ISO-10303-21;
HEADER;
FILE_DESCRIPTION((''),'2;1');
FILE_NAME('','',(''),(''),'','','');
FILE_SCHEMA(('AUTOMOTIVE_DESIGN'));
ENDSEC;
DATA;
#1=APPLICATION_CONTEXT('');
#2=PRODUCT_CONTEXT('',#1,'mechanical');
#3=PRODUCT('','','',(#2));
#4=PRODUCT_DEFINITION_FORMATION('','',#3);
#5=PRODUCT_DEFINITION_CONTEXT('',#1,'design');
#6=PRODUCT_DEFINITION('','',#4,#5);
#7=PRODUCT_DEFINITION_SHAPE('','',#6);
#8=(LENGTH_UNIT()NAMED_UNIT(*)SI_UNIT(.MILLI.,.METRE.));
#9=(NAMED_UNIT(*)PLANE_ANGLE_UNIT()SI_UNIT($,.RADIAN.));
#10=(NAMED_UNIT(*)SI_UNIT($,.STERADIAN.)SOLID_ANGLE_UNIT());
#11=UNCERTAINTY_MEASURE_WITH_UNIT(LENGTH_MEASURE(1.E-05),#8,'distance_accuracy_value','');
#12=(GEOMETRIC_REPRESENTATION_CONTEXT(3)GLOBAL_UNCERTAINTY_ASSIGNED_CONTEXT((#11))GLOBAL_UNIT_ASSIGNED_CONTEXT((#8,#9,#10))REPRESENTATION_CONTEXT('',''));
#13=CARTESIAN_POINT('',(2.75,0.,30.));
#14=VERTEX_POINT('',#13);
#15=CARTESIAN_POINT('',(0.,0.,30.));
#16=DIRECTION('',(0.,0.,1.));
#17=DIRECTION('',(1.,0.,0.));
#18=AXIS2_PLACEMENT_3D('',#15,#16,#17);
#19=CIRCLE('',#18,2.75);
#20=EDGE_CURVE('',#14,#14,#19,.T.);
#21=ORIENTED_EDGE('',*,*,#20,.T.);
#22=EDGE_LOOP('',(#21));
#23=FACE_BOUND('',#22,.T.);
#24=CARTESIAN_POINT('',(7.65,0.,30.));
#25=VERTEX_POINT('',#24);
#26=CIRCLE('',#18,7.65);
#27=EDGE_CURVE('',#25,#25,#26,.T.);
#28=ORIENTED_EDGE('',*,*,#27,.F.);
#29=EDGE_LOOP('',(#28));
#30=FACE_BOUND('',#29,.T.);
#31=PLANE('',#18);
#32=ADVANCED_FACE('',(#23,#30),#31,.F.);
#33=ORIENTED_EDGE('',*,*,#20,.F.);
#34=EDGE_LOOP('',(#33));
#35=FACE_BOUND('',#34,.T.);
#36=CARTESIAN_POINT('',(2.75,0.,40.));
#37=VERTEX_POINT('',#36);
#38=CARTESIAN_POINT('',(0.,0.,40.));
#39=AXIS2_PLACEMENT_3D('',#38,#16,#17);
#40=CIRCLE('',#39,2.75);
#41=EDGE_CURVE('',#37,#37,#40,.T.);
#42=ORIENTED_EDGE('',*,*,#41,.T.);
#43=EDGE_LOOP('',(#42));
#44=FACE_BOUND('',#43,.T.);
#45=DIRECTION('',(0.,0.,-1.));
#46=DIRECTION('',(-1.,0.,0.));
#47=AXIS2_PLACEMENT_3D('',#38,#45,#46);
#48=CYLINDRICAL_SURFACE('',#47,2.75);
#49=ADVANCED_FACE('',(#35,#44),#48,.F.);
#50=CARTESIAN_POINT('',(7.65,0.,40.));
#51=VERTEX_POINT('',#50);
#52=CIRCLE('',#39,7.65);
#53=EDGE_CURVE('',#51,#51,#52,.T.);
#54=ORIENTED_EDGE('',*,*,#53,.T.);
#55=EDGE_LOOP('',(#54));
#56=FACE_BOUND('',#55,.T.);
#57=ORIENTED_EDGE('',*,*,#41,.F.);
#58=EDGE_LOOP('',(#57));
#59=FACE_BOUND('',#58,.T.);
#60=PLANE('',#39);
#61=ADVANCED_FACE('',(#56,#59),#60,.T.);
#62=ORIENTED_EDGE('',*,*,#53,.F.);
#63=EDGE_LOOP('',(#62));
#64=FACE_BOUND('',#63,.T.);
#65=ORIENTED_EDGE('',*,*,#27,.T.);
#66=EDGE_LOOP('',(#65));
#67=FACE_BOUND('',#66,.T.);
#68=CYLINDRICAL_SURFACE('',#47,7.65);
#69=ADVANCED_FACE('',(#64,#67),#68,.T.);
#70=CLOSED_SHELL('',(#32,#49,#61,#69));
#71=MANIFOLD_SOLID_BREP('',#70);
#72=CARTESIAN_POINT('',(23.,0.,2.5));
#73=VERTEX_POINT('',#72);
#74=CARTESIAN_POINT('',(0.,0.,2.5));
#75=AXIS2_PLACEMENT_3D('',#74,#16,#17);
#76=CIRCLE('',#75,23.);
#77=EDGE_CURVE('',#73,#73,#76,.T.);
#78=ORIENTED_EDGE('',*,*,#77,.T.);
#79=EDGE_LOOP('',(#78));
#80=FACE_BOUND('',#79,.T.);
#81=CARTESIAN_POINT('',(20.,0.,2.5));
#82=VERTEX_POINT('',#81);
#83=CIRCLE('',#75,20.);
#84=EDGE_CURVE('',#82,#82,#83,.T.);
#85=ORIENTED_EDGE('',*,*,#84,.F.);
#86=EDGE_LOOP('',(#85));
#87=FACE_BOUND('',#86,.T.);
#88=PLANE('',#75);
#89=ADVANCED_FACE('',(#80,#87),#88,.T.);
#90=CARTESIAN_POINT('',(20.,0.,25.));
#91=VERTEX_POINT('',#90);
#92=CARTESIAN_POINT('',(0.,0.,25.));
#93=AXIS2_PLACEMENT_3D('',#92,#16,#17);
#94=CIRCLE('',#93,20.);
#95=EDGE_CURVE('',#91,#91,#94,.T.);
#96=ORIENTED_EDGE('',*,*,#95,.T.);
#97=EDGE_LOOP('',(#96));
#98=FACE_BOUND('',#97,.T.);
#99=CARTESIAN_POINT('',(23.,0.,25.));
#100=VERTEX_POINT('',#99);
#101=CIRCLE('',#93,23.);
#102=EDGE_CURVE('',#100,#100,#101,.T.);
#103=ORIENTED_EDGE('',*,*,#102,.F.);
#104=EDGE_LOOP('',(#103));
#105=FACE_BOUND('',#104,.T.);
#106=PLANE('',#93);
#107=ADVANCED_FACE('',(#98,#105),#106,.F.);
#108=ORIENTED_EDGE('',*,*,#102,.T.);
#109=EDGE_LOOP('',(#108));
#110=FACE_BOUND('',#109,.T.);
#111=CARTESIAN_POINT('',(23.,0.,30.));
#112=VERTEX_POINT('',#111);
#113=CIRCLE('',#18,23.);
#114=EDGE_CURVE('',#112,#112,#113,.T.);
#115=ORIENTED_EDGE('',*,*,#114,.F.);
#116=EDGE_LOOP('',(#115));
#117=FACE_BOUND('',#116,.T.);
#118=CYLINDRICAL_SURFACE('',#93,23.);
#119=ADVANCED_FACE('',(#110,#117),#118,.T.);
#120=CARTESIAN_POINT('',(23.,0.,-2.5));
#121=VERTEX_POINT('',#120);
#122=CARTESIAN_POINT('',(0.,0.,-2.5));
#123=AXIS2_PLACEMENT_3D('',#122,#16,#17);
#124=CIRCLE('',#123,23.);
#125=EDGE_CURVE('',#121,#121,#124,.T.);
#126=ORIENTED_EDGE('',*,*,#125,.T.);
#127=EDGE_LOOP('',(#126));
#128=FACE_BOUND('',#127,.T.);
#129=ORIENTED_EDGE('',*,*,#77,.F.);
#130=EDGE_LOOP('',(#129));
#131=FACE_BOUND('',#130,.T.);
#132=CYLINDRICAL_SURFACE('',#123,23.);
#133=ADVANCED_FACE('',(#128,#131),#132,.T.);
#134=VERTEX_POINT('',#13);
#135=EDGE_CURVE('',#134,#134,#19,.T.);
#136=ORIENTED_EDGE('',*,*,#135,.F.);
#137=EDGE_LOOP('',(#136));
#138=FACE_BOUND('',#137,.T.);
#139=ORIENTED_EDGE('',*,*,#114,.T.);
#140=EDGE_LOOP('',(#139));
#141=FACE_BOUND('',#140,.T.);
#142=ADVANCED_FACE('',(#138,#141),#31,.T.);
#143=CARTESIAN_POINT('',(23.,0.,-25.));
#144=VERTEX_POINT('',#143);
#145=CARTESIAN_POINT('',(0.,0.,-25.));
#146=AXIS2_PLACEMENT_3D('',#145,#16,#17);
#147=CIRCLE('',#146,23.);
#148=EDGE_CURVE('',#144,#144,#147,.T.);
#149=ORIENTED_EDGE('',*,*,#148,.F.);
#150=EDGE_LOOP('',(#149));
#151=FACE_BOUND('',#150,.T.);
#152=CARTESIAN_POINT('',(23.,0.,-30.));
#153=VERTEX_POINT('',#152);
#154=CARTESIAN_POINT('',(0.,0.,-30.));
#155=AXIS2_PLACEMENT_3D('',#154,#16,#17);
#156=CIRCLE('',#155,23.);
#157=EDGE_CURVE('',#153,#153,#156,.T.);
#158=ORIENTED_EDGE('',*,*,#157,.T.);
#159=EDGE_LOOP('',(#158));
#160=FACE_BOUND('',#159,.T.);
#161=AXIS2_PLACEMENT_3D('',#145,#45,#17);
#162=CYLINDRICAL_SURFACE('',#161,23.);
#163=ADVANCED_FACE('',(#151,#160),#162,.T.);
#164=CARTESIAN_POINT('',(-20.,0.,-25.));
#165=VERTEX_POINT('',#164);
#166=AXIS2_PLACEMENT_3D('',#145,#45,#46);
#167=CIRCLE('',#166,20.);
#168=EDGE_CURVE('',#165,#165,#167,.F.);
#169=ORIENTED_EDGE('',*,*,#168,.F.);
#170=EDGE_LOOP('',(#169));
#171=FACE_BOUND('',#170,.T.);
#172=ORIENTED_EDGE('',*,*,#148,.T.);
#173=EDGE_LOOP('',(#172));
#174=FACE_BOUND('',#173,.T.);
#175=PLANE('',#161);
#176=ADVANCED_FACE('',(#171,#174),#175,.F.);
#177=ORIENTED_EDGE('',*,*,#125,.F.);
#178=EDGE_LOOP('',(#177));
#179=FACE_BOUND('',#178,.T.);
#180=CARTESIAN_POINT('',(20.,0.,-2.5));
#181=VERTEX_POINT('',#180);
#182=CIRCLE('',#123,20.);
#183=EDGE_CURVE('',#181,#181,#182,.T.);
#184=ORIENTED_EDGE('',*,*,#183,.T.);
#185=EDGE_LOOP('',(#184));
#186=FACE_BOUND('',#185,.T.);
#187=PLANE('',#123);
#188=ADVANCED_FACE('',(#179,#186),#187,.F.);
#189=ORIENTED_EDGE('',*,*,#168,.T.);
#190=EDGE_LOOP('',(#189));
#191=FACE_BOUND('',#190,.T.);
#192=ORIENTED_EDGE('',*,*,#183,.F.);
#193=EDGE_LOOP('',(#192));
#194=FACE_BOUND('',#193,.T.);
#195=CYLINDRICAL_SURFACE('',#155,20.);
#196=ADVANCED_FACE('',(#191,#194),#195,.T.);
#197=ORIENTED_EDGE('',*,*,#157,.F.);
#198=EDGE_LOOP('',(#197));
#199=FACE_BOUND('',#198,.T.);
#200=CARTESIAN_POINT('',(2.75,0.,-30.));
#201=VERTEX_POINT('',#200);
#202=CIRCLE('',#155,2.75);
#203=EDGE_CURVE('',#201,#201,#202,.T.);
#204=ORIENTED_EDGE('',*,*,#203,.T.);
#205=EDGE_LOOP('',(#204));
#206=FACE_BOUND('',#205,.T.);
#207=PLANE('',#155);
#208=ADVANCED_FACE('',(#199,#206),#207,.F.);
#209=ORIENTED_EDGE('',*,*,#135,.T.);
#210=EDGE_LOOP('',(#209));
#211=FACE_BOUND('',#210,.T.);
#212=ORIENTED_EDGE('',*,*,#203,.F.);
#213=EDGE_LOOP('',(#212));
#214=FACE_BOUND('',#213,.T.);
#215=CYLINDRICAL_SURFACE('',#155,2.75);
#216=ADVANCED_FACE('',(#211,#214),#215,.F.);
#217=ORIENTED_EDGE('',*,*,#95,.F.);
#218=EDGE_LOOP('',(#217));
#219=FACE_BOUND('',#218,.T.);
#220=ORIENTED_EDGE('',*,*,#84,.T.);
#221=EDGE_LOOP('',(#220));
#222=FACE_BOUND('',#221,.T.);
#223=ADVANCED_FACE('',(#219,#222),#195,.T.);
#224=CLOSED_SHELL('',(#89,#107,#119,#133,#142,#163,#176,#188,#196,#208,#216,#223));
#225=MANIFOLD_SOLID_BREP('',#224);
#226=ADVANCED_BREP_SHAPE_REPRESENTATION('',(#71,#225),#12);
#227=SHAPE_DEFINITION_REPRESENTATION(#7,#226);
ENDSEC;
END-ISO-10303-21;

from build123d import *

# Parameters (mm, degrees)
BOSS_EXTRUDE1_DEPTH      = 2.5
BOSS_EXTRUDE1_DEPTH_BACK = 2.5
SKETCH1_R                = 23
BOSS_EXTRUDE2_DEPTH      = 30
BOSS_EXTRUDE2_DEPTH_BACK = 30
SKETCH3_R                = 20
SKETCH4_R                = 23
SKETCH4_R_2              = 20
BOSS_EXTRUDE3_DEPTH      = 5
SKETCH5_R                = 2.75
CUT_EXTRUDE1_DEPTH       = 69.249542123
SKETCH6_R                = 7.65
SKETCH6_R_2              = 2.75
BOSS_EXTRUDE4_DEPTH      = 10


with BuildPart() as part:
    # Sketch1 → Boss-Extrude1 (new, two sides: drawn at the far end of the back side and taken through both)
    with BuildSketch(Plane.XY.offset(-BOSS_EXTRUDE1_DEPTH_BACK)):
        Circle(SKETCH1_R)
    extrude(amount=BOSS_EXTRUDE1_DEPTH + BOSS_EXTRUDE1_DEPTH_BACK)

    # Sketch3 → Boss-Extrude2 (add, two sides: drawn at the far end of the back side and taken through both)
    with BuildSketch(Plane.XY.offset(-BOSS_EXTRUDE2_DEPTH_BACK)):
        Circle(SKETCH3_R)
    extrude(amount=BOSS_EXTRUDE2_DEPTH + BOSS_EXTRUDE2_DEPTH_BACK)

    # Sketch4 → Boss-Extrude3 (add)
    with BuildSketch(Plane.XY.offset(30)):
        Circle(SKETCH4_R)
        Circle(SKETCH4_R_2, mode=Mode.SUBTRACT)
    boss_extrude3 = extrude(amount=-BOSS_EXTRUDE3_DEPTH)

    # Mirror5: Boss-Extrude3 across plane
    add(boss_extrude3.mirror(Plane.XY))

    # Sketch5 → Cut-Extrude1 (cut, through all)
    with BuildSketch(Plane.XY.offset(30)):
        Circle(SKETCH5_R)
    extrude(amount=-CUT_EXTRUDE1_DEPTH, mode=Mode.SUBTRACT)


with BuildPart() as body_2:
    # Sketch6 → Boss-Extrude4 (new body)
    with BuildSketch(Plane.XY.offset(30)):
        Circle(SKETCH6_R)
        Circle(SKETCH6_R_2, mode=Mode.SUBTRACT)
    extrude(amount=BOSS_EXTRUDE4_DEPTH)


solid = Compound([part.part, body_2.part])
